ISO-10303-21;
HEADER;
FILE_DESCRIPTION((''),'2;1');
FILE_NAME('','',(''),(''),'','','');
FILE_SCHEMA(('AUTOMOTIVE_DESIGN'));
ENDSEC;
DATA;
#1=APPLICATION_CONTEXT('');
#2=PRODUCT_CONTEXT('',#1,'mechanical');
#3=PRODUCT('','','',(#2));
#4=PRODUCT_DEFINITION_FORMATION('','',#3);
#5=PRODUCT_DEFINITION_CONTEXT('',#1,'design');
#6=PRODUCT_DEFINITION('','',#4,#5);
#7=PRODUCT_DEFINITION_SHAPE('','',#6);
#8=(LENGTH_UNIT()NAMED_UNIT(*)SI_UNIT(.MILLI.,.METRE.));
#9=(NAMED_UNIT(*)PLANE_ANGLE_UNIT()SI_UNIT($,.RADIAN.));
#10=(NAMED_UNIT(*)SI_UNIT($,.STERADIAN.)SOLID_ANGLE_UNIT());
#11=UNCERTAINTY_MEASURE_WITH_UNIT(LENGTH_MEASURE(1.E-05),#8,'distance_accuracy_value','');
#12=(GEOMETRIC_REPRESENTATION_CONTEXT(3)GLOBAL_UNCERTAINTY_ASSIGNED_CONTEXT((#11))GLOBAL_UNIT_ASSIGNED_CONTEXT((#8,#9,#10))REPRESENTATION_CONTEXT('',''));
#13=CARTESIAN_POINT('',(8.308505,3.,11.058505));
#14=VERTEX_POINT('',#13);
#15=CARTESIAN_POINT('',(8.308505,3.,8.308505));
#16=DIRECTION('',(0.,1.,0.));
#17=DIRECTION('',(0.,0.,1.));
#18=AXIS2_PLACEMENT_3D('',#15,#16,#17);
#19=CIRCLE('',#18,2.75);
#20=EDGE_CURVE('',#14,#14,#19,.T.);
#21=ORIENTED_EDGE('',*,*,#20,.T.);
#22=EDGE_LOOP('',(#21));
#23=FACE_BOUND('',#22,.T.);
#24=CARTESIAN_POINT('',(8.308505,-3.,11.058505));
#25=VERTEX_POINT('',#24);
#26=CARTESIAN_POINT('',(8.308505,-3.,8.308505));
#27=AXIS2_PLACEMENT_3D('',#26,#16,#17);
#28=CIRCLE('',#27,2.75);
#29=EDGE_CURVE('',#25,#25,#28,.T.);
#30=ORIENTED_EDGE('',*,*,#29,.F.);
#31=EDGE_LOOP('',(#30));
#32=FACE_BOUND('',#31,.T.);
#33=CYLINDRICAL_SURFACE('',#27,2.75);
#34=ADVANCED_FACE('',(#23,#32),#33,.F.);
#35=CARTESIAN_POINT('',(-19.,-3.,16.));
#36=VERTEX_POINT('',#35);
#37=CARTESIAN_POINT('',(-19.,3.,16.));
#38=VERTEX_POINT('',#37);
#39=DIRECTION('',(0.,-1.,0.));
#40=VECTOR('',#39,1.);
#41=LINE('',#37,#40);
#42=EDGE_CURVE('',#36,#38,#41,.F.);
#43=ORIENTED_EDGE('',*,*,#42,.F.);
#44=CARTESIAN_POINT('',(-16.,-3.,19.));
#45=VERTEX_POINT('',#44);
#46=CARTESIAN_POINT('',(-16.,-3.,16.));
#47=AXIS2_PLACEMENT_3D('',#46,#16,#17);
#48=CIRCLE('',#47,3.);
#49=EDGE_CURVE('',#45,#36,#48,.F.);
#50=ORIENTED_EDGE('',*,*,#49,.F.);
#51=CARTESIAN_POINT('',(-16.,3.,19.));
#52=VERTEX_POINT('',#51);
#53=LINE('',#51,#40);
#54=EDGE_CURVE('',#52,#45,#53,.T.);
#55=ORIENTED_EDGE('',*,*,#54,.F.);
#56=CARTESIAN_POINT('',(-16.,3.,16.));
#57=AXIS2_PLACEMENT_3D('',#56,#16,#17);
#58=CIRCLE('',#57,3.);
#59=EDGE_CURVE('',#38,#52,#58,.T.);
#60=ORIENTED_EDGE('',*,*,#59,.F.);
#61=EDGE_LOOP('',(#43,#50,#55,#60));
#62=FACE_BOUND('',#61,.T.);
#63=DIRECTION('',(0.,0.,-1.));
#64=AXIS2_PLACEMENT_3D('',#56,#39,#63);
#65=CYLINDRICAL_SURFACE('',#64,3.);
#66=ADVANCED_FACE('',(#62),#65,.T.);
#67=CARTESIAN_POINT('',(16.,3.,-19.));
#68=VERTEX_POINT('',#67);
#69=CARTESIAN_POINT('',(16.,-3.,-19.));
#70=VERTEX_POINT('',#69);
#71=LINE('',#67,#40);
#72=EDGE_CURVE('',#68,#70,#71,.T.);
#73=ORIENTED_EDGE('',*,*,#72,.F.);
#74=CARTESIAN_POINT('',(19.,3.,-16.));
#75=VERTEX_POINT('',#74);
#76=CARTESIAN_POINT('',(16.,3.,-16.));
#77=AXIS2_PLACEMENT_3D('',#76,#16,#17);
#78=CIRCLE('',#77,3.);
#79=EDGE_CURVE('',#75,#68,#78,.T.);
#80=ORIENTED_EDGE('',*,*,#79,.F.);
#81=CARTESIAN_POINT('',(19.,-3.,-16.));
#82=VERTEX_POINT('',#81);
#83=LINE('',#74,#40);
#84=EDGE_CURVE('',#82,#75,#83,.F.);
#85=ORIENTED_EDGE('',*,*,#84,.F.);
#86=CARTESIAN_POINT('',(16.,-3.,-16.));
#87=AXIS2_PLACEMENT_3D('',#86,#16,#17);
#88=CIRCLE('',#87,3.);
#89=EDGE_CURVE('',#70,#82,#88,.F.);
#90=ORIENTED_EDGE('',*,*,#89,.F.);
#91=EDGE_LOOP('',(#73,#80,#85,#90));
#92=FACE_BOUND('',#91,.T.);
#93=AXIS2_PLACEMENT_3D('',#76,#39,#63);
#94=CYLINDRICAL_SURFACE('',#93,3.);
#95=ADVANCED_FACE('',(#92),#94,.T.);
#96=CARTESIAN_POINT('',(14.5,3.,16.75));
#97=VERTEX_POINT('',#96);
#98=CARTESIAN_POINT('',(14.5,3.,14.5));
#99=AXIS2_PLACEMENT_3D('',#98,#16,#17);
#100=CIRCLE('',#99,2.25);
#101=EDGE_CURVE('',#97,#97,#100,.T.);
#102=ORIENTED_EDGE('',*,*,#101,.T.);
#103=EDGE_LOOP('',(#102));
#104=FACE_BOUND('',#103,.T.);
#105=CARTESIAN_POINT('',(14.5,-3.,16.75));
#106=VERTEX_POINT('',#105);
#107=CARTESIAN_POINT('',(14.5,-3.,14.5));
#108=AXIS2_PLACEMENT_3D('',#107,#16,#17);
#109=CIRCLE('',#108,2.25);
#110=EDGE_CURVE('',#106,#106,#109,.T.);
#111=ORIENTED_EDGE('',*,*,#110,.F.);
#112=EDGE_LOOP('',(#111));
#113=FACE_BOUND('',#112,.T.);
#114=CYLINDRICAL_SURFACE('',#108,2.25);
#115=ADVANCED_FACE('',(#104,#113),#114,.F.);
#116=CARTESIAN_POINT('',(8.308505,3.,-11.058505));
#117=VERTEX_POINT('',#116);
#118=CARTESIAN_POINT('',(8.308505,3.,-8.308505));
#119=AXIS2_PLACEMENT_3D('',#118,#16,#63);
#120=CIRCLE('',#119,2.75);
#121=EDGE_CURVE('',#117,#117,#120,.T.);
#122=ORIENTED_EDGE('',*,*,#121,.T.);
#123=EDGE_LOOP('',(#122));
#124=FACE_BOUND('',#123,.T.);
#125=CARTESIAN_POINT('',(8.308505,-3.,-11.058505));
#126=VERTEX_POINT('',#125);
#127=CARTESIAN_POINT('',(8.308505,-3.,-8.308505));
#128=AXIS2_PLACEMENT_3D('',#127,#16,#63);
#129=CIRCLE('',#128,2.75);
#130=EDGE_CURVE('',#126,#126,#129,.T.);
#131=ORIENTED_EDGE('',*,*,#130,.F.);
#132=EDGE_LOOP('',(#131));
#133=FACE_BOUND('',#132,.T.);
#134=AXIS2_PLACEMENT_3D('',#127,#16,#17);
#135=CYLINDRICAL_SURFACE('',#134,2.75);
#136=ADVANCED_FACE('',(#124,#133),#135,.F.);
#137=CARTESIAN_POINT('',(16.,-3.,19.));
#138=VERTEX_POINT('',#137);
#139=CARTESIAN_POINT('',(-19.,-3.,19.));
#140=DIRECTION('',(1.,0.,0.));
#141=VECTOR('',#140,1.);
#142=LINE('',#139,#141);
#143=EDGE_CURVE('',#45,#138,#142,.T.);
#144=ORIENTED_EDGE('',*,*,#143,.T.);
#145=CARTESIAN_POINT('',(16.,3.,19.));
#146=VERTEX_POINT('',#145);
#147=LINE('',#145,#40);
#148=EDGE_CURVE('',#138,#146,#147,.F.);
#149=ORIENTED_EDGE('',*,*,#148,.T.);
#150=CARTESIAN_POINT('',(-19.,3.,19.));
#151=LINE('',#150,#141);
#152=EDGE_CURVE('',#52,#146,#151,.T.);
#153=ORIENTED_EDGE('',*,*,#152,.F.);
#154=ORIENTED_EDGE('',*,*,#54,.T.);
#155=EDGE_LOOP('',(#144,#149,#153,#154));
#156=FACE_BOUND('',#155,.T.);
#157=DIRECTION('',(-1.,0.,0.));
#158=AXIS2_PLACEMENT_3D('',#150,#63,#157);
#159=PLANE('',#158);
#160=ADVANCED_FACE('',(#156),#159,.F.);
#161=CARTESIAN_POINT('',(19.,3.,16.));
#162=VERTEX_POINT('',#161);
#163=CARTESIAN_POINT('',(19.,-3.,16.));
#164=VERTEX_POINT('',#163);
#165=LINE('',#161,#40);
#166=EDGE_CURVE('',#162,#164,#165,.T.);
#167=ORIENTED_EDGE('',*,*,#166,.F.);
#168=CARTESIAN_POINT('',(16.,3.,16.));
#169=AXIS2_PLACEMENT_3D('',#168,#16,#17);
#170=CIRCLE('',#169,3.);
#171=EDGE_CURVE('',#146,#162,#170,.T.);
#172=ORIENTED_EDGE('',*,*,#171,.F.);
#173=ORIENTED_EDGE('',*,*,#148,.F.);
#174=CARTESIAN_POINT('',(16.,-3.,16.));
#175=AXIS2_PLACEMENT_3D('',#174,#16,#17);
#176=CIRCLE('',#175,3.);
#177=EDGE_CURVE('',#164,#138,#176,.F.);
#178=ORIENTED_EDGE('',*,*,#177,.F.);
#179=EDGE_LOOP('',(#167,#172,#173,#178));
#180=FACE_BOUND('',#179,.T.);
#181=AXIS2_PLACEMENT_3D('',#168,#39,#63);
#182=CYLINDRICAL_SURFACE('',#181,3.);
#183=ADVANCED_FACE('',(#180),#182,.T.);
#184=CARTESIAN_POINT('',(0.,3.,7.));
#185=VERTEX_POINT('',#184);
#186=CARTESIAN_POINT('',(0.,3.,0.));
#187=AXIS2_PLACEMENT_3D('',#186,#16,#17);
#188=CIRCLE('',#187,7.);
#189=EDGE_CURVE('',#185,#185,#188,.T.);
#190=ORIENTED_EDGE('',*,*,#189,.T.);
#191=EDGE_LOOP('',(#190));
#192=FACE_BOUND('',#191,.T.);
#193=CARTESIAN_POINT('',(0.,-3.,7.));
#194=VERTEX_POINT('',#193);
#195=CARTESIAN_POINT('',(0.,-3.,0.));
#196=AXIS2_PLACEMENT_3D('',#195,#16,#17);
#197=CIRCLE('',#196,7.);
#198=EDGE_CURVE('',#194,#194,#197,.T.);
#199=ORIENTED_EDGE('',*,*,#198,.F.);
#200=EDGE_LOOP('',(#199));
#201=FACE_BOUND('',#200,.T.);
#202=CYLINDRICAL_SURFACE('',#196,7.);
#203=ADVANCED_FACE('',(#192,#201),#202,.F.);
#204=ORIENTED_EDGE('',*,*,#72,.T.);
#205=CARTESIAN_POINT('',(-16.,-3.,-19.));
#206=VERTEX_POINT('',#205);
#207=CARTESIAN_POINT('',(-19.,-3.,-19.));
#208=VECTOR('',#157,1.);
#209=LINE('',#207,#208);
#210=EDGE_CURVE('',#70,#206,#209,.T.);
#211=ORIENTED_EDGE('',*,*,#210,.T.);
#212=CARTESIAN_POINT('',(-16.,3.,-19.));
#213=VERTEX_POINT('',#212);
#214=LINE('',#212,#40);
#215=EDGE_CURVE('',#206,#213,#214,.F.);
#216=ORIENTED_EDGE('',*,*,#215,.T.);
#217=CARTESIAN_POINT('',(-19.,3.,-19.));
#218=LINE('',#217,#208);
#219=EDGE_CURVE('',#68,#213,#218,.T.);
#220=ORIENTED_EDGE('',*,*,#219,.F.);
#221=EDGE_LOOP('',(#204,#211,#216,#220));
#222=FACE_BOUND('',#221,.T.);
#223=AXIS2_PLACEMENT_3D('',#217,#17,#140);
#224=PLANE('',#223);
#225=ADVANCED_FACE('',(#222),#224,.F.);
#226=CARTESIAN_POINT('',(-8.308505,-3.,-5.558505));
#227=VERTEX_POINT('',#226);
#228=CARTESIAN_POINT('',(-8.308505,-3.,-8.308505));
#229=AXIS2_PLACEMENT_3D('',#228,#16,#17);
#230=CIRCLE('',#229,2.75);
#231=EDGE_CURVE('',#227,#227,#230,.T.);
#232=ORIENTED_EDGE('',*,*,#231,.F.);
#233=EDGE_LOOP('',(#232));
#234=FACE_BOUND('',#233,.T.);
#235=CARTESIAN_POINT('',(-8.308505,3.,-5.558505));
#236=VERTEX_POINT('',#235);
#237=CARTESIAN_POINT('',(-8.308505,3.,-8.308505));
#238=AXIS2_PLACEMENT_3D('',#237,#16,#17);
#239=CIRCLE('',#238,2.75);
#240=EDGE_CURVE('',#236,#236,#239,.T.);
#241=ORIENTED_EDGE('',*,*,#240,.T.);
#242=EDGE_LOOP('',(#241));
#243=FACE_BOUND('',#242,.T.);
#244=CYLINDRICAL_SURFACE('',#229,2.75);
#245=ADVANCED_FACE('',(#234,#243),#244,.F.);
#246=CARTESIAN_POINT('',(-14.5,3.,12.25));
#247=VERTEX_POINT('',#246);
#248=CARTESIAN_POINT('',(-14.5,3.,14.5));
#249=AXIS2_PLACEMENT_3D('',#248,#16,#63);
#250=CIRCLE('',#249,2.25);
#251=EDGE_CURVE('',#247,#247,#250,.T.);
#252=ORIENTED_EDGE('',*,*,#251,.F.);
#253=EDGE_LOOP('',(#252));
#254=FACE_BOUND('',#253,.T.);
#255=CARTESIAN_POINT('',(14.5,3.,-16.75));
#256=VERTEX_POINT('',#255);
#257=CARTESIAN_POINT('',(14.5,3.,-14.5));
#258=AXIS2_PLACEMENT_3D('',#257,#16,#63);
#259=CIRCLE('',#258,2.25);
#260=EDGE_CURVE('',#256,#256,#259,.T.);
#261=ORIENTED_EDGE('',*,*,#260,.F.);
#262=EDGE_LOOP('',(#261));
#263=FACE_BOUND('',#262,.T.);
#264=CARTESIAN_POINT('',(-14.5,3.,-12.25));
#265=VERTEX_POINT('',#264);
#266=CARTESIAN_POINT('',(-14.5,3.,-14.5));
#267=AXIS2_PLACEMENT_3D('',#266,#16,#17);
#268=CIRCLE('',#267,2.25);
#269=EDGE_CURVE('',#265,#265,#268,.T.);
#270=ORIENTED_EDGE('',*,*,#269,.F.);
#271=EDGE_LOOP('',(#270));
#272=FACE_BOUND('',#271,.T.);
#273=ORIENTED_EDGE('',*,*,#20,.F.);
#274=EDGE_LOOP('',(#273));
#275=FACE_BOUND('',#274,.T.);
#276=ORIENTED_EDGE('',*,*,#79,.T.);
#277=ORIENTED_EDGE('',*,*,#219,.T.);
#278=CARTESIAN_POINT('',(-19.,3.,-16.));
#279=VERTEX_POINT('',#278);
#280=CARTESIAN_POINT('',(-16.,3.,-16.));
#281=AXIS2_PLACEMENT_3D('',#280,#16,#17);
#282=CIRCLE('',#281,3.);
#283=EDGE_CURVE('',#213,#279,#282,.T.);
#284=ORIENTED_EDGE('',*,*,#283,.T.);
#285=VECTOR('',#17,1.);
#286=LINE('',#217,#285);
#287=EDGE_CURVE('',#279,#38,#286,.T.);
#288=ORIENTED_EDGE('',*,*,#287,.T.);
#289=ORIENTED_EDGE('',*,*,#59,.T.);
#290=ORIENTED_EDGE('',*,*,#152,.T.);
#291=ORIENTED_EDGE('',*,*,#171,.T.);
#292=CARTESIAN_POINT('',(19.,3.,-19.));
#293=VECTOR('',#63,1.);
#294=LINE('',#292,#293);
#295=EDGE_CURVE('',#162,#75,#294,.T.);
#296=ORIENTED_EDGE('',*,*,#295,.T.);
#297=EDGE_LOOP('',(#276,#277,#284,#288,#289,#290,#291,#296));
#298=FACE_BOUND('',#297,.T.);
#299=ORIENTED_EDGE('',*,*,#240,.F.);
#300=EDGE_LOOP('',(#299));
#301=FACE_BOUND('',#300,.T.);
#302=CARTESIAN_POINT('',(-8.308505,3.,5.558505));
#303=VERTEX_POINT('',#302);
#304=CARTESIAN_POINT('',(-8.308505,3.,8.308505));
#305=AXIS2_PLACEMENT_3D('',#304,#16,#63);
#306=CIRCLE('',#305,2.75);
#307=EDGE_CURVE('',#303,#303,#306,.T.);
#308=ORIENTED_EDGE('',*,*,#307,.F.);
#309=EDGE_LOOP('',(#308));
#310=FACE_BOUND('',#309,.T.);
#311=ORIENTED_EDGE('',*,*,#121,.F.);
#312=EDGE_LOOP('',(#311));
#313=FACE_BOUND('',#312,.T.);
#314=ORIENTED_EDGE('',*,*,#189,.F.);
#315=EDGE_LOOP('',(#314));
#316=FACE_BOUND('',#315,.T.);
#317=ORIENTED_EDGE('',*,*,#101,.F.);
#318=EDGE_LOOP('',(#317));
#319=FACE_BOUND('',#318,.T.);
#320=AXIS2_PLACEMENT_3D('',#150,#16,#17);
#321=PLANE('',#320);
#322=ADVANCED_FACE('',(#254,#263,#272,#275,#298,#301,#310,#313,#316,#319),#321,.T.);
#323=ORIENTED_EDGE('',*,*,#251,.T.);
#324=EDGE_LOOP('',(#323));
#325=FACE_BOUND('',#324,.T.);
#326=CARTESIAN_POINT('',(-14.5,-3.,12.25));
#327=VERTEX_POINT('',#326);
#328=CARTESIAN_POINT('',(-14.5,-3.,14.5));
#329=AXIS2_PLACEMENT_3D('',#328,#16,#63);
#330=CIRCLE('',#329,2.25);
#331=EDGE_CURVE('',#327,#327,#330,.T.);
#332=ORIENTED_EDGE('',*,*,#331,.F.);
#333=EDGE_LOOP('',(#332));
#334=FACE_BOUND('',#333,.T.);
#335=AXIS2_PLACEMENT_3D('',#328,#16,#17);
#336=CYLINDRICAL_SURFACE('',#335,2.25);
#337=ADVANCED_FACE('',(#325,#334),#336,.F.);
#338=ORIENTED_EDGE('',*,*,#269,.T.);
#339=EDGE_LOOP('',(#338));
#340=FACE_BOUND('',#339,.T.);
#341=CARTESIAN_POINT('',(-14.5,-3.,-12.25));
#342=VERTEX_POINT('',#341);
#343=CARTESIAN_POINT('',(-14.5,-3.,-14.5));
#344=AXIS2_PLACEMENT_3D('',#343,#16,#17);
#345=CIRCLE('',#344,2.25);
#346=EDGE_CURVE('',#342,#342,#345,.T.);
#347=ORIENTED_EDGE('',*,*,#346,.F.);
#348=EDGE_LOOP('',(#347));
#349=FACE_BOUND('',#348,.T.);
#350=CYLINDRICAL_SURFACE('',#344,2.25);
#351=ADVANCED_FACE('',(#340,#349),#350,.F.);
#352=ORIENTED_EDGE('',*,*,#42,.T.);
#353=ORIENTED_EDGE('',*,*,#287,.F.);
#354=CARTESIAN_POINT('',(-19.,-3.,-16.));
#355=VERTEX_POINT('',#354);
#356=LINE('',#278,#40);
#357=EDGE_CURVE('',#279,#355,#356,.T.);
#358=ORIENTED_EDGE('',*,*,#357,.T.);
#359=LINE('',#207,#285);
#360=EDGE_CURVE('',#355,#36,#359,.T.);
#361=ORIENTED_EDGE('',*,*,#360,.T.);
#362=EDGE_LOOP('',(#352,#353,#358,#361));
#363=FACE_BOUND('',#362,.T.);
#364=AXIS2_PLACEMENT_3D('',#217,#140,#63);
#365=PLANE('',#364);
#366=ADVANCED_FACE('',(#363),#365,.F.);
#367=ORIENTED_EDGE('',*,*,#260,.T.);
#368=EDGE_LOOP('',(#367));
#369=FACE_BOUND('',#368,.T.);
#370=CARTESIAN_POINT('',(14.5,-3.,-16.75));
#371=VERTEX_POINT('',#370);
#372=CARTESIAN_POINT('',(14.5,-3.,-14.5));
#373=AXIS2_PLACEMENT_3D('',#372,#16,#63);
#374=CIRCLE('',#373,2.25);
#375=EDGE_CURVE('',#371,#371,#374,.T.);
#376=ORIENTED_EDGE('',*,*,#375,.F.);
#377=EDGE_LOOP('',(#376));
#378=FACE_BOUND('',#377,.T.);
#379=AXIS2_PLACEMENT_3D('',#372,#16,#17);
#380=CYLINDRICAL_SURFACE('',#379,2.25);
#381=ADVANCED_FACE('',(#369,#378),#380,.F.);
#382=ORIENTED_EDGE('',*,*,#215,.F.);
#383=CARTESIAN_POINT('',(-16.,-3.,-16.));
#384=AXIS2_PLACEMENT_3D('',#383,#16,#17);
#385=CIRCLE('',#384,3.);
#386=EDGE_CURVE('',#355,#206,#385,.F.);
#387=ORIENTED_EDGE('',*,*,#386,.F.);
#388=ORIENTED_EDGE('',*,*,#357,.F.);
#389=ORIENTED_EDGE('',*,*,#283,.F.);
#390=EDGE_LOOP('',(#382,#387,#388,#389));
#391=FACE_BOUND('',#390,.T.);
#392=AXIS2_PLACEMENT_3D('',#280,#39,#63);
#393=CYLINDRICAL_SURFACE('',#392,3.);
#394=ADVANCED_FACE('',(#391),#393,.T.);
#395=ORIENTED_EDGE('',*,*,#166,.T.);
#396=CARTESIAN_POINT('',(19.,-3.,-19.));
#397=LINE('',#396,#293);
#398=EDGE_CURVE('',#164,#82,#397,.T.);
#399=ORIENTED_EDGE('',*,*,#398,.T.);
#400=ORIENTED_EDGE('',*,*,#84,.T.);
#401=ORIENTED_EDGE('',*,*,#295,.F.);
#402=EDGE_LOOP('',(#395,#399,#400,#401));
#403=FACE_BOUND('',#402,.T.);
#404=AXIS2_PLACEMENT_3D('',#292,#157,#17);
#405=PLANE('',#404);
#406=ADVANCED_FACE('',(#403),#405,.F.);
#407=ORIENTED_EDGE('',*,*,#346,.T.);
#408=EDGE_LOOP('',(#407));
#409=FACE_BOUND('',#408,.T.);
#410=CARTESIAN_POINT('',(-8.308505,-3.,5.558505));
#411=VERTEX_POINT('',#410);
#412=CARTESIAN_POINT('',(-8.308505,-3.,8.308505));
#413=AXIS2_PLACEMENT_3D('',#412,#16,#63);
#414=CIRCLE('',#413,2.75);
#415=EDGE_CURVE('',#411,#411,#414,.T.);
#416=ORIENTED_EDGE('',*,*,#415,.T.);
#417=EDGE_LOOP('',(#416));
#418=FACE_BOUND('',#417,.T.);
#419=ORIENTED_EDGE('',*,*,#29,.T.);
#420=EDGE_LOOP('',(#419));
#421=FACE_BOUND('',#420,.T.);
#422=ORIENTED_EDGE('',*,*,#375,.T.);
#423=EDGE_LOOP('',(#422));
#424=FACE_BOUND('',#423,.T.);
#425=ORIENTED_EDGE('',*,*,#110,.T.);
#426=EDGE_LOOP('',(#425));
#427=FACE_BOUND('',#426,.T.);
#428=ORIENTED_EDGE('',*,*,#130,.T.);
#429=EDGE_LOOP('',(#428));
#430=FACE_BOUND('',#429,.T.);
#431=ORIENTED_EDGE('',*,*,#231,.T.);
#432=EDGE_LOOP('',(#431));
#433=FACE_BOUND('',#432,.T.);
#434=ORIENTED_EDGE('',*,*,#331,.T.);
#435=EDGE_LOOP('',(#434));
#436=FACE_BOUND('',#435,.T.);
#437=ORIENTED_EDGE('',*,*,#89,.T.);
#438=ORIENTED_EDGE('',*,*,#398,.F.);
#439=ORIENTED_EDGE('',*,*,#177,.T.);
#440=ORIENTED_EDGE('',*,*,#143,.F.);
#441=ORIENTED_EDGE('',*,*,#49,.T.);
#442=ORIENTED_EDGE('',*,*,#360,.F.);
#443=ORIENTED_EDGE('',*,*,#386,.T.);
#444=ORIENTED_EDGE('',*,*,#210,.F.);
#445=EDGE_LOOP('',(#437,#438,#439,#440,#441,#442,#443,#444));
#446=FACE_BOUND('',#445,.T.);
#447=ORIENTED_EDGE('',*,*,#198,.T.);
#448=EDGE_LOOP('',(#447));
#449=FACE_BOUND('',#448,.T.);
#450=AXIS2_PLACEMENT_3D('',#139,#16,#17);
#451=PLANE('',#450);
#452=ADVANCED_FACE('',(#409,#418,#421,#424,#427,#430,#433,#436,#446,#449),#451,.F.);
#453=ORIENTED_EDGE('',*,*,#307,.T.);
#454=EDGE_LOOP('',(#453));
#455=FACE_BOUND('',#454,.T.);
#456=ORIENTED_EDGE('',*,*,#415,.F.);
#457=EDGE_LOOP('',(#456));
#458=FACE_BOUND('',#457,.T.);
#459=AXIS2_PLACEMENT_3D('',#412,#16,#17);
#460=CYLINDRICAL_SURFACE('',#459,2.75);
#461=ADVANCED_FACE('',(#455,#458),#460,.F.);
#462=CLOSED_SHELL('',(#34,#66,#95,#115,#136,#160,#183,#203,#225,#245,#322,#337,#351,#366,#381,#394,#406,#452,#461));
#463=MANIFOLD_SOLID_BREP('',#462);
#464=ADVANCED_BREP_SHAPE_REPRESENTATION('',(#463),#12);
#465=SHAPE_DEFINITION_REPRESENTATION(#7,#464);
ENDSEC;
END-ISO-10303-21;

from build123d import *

# Parameters (mm, degrees)
SKETCH_1_W          = 38
SKETCH_1_H          = 38
EXTRUDE_1_DEPTH     = 3
SKETCH_2_R          = 2.25
CUT_EXTRUDE_1_DEPTH = 28.531799796
SKETCH_3_R          = 2.75
SKETCH_3_R_2        = 7
CUT_EXTRUDE_2_DEPTH = 28.531799796
FILLET_1_R          = 3


with BuildPart() as part:
    # 草图1 → 凸台-拉伸1 (new, symmetric)
    with BuildSketch(Plane(origin=(0, 0, 0), x_dir=(1, 0, 0), z_dir=(0, 1, 0))):
        Rectangle(SKETCH_1_W, SKETCH_1_H)
    extrude(amount=EXTRUDE_1_DEPTH, both=True)

    # 草图2 → 切除-拉伸1 (cut, through all)
    with BuildSketch(Plane(origin=(0, 3, 0), x_dir=(1, 0, 0), z_dir=(0, 1, 0))):
        with Locations(Location((-14.5, 14.5, 0), (0, 0, 270))):
            Circle(SKETCH_2_R)
        with Locations(Location((-14.5, -14.5, 0), (0, 0, 90))):
            Circle(SKETCH_2_R)
        with Locations(Location((14.5, -14.5, 0), (0, 0, 270))):
            Circle(SKETCH_2_R)
        with Locations(Location((14.5, 14.5, 0), (0, 0, 90))):
            Circle(SKETCH_2_R)
    extrude(amount=-CUT_EXTRUDE_1_DEPTH, mode=Mode.SUBTRACT)

    # 草图3 → 切除-拉伸2 (cut, through all)
    with BuildSketch(Plane(origin=(0, 3, 0), x_dir=(1, 0, 0), z_dir=(0, 1, 0))):
        with Locations(Location((-8.308504679, 8.308504679, 0), (0, 0, 270))):
            Circle(SKETCH_3_R)
        with Locations(Location((-8.308504679, -8.308504679, 0), (0, 0, 90))):
            Circle(SKETCH_3_R)
        with Locations(Location((8.308504679, -8.308504679, 0), (0, 0, 270))):
            Circle(SKETCH_3_R)
        with Locations(Location((8.308504679, 8.308504679, 0), (0, 0, 90))):
            Circle(SKETCH_3_R)
        with Locations(Location((0, 0, 0), (0, 0, 270))):
            Circle(SKETCH_3_R_2)
    extrude(amount=-CUT_EXTRUDE_2_DEPTH, mode=Mode.SUBTRACT)

    # 圆角1
    fillet_1_edges = [part.edges().sort_by_distance(p)[0] for p in [
        (-19, 0, -19),
        (19, 0, -19),
        (19, 0, 19),
        (-19, 0, 19),
    ]]
    fillet(fillet_1_edges, radius=FILLET_1_R)


solid = part.part
